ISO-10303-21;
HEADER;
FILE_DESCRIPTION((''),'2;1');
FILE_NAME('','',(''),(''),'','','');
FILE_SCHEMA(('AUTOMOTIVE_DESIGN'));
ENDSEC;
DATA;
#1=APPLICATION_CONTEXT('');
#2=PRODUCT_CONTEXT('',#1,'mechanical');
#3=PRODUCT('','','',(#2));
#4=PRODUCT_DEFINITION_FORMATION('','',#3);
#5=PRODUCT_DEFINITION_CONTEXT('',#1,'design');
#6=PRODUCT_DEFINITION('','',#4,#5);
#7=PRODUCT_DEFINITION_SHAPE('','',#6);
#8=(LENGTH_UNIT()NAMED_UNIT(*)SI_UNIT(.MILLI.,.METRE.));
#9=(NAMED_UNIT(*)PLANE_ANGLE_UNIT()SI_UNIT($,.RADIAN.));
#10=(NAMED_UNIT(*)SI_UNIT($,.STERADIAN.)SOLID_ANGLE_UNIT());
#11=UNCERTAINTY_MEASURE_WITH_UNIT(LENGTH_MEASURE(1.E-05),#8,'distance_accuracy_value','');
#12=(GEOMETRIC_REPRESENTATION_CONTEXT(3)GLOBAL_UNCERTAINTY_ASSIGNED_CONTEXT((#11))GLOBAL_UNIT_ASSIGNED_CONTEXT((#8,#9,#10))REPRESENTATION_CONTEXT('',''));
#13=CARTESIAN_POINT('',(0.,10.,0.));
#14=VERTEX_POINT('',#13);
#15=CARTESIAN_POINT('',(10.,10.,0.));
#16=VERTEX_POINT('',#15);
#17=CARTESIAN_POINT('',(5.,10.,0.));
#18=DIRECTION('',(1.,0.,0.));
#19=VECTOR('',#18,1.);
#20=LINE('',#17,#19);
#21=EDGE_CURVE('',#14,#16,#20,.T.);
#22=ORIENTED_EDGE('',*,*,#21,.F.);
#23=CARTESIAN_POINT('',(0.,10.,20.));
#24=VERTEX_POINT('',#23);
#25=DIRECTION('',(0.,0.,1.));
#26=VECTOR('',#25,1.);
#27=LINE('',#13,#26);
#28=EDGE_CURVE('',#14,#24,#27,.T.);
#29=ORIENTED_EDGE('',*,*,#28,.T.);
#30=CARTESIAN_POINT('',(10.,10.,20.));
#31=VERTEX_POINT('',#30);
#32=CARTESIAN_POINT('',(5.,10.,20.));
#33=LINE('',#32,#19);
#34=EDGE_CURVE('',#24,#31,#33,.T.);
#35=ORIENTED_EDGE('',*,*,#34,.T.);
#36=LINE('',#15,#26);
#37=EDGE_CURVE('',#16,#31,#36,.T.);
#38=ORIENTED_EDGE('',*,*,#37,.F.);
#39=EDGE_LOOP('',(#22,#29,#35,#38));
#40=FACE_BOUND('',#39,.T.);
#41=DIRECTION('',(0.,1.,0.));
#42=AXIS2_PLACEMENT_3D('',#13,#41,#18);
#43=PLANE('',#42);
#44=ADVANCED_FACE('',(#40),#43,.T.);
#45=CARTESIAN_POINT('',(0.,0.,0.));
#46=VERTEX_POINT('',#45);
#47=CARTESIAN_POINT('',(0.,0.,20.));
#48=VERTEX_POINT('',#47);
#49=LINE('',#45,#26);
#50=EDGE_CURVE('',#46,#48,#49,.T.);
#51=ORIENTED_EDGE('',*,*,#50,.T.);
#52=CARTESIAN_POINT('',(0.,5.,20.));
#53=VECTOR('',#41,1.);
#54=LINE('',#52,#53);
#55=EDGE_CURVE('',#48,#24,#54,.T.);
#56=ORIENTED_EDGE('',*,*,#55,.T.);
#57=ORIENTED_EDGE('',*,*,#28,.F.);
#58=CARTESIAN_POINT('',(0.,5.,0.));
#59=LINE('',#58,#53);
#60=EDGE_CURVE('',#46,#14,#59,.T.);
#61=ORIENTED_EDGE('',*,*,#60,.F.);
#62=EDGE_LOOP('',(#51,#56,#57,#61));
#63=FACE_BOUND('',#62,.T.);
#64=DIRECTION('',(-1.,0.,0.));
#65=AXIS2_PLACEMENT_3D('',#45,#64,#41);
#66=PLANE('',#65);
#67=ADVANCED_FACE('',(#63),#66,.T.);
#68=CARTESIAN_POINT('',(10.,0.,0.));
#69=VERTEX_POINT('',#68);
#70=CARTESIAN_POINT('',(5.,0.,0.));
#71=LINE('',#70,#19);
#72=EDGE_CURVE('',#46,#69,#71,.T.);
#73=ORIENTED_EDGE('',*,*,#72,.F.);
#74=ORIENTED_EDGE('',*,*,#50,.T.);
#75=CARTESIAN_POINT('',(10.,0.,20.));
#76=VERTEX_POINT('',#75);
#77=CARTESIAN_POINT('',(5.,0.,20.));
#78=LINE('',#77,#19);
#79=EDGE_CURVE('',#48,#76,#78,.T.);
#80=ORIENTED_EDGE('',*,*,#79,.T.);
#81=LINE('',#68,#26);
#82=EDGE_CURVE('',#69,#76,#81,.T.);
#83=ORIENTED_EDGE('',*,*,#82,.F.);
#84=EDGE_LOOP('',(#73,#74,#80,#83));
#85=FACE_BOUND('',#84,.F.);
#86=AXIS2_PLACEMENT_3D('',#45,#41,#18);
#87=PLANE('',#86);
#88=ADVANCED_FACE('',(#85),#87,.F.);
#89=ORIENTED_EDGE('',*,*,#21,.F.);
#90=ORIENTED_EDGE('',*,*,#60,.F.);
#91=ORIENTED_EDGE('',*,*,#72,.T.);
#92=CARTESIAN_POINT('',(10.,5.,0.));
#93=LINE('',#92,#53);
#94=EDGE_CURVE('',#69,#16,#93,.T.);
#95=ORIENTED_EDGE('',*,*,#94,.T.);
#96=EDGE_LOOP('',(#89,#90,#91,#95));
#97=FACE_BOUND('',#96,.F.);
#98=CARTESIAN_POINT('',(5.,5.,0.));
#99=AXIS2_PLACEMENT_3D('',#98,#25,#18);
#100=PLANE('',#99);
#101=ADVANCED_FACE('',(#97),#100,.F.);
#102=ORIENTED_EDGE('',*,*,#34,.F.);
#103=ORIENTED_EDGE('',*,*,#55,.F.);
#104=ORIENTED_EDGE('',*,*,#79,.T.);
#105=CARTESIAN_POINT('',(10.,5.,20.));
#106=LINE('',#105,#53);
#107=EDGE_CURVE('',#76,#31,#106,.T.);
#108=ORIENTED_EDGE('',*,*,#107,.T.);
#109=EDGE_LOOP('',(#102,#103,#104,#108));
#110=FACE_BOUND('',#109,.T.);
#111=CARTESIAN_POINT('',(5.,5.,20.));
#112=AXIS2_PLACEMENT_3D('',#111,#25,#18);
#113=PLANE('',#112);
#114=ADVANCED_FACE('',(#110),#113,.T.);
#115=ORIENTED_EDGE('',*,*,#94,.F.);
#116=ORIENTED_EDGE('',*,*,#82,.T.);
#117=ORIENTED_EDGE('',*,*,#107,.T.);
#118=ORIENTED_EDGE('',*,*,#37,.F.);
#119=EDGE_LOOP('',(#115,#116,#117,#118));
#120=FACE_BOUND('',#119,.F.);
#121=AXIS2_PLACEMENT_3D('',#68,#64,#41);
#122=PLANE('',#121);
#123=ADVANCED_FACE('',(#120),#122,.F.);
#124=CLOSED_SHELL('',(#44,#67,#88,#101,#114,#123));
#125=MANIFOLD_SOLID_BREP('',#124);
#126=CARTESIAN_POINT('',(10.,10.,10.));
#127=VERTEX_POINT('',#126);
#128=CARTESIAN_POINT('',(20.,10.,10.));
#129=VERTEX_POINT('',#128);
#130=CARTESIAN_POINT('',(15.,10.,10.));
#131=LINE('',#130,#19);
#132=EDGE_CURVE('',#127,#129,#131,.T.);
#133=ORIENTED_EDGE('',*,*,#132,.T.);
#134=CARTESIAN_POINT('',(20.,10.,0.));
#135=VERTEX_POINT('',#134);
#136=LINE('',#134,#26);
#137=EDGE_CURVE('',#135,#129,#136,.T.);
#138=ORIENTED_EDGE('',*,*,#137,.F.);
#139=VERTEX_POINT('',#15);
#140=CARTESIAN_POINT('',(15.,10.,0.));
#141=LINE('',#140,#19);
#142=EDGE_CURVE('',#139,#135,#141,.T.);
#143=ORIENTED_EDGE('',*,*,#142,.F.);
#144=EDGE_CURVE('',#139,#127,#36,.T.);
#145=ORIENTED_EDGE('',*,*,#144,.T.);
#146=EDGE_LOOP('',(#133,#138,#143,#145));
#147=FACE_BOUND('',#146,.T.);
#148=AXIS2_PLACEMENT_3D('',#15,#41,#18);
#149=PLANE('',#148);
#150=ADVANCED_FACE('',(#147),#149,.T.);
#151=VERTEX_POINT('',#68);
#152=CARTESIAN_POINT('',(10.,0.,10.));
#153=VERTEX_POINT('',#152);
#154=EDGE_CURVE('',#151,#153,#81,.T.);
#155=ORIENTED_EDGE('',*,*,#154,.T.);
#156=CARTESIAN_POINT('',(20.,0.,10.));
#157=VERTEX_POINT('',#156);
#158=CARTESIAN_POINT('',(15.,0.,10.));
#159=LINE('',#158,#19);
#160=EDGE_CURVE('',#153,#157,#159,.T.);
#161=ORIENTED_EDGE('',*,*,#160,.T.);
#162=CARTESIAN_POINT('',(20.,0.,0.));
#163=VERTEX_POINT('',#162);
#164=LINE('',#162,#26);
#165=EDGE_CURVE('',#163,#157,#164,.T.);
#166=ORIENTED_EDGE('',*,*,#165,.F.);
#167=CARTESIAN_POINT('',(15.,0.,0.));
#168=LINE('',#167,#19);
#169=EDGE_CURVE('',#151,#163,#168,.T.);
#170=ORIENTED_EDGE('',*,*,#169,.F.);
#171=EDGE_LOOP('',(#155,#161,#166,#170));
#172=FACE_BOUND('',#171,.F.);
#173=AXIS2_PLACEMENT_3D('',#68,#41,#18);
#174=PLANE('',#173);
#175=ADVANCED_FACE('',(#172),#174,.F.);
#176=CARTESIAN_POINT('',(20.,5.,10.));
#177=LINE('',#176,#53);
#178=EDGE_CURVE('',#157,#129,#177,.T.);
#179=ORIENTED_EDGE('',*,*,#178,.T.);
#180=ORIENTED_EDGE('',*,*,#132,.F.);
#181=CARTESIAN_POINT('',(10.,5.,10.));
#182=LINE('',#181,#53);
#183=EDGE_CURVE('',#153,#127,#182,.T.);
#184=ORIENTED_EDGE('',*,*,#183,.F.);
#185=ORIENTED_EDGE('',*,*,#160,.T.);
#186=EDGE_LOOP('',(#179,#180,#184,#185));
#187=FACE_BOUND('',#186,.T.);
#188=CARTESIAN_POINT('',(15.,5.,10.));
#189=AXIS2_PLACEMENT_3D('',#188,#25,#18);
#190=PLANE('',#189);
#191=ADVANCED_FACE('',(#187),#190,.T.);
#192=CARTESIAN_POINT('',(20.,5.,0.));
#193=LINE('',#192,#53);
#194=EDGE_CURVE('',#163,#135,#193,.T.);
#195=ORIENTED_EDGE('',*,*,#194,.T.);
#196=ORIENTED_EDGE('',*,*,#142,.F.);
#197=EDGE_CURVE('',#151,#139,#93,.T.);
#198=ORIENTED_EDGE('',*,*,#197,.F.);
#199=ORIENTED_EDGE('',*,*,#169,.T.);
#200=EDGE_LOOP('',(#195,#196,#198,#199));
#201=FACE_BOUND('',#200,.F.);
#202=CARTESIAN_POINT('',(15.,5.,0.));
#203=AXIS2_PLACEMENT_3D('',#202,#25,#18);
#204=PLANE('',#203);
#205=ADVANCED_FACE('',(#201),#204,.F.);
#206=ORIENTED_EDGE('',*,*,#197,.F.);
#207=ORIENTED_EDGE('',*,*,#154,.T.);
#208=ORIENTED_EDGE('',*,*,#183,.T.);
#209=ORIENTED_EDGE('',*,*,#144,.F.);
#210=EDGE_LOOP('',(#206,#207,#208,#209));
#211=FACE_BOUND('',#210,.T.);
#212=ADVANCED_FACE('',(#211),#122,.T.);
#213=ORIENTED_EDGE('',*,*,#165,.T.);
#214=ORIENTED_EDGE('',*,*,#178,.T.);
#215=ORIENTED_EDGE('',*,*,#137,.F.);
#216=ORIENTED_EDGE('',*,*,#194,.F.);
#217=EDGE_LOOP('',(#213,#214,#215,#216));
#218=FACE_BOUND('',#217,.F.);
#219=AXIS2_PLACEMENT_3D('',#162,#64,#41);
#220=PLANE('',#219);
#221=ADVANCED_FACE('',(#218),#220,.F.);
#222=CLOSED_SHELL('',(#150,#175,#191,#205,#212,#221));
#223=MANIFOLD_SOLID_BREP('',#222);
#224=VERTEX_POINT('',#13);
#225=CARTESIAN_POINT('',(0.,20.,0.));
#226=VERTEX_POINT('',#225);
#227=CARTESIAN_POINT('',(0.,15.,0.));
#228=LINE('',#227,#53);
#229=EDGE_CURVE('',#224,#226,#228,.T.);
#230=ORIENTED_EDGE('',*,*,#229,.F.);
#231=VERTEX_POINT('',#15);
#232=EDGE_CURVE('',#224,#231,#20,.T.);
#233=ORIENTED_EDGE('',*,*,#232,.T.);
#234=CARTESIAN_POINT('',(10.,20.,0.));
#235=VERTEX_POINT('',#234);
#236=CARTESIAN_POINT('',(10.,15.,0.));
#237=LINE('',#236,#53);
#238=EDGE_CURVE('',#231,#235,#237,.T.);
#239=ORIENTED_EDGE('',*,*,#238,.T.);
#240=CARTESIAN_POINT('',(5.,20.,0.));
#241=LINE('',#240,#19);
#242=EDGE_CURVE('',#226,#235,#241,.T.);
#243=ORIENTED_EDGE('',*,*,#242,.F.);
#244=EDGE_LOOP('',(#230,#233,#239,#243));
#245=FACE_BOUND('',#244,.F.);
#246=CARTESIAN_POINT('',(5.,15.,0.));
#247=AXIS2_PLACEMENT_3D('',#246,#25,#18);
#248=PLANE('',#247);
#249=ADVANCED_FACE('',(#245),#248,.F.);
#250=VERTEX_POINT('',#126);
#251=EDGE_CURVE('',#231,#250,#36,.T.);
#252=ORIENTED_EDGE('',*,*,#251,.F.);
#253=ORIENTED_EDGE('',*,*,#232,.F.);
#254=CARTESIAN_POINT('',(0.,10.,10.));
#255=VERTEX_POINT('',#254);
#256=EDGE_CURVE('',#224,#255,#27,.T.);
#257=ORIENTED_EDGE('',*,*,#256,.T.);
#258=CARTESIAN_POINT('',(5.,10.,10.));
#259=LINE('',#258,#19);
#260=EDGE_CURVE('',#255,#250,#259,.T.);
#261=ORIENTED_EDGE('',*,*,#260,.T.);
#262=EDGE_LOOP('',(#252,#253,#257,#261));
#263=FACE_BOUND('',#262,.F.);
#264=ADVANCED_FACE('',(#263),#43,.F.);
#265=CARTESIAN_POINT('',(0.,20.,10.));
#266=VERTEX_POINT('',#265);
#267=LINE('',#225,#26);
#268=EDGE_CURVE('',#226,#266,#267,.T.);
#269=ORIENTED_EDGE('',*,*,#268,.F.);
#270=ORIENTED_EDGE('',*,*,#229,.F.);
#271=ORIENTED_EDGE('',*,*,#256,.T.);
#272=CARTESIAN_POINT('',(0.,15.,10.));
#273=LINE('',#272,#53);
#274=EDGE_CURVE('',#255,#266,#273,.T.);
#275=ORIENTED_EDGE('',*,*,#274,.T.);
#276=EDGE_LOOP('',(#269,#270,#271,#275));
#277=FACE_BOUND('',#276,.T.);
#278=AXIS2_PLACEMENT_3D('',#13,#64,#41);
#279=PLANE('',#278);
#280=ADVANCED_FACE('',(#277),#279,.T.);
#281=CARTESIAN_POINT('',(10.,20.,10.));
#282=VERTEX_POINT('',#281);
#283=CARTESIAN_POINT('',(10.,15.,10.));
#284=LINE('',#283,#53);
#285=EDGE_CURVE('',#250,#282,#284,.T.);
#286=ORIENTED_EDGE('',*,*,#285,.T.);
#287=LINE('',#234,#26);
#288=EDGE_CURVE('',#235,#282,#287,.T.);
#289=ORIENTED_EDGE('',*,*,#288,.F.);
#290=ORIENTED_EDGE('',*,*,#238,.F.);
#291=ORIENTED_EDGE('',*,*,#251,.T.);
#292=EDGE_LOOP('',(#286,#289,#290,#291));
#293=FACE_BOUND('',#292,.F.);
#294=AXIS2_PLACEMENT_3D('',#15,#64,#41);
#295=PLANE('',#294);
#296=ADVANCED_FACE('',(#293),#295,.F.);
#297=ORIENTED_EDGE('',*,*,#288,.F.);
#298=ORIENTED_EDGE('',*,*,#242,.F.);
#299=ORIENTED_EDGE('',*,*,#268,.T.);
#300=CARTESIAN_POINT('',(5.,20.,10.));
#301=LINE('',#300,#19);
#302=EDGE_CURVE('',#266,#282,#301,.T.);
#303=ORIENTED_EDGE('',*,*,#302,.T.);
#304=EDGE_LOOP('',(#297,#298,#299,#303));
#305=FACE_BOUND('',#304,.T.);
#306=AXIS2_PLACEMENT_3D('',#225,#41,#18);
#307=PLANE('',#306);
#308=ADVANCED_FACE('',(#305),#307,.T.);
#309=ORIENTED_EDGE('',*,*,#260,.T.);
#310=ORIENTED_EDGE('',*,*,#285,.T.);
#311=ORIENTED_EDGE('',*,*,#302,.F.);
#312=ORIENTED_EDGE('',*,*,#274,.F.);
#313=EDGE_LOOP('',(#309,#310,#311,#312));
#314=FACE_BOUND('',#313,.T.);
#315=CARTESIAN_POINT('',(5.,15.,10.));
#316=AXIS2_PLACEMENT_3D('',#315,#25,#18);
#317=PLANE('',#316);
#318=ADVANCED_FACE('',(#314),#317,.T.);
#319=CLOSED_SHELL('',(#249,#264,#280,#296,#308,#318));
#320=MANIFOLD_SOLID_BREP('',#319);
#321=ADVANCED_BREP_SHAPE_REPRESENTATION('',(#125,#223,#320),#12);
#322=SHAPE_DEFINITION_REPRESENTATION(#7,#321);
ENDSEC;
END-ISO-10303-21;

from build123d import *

# Parameters (mm, degrees)
BOX001_W     = 10
BOX001_H     = 10
BOX001_DEPTH = 20
BOX002_W     = 10
BOX002_H     = 10
BOX002_DEPTH = 10
BOX003_W     = 10
BOX003_H     = 10
BOX003_DEPTH = 10


with BuildPart() as box001:
    # Box001 → Box001 (new body)
    with BuildSketch(Plane.XY):
        with Locations((5, 5)):
            Rectangle(BOX001_W, BOX001_H)
    extrude(amount=BOX001_DEPTH)


with BuildPart() as nivell_2_cub1:
    # Box002 → Box002 (new body)
    with BuildSketch(Plane(origin=(10, 0, 0), x_dir=(1, 0, 0), z_dir=(0, 0, 1))):
        with Locations((5, 5)):
            Rectangle(BOX002_W, BOX002_H)
    extrude(amount=BOX002_DEPTH)


with BuildPart() as box003:
    # Box003 → Box003 (new body)
    with BuildSketch(Plane(origin=(0, 10, 0), x_dir=(1, 0, 0), z_dir=(0, 0, 1))):
        with Locations((5, 5)):
            Rectangle(BOX003_W, BOX003_H)
    extrude(amount=BOX003_DEPTH)


solid = Compound([box001.part, nivell_2_cub1.part, box003.part])
